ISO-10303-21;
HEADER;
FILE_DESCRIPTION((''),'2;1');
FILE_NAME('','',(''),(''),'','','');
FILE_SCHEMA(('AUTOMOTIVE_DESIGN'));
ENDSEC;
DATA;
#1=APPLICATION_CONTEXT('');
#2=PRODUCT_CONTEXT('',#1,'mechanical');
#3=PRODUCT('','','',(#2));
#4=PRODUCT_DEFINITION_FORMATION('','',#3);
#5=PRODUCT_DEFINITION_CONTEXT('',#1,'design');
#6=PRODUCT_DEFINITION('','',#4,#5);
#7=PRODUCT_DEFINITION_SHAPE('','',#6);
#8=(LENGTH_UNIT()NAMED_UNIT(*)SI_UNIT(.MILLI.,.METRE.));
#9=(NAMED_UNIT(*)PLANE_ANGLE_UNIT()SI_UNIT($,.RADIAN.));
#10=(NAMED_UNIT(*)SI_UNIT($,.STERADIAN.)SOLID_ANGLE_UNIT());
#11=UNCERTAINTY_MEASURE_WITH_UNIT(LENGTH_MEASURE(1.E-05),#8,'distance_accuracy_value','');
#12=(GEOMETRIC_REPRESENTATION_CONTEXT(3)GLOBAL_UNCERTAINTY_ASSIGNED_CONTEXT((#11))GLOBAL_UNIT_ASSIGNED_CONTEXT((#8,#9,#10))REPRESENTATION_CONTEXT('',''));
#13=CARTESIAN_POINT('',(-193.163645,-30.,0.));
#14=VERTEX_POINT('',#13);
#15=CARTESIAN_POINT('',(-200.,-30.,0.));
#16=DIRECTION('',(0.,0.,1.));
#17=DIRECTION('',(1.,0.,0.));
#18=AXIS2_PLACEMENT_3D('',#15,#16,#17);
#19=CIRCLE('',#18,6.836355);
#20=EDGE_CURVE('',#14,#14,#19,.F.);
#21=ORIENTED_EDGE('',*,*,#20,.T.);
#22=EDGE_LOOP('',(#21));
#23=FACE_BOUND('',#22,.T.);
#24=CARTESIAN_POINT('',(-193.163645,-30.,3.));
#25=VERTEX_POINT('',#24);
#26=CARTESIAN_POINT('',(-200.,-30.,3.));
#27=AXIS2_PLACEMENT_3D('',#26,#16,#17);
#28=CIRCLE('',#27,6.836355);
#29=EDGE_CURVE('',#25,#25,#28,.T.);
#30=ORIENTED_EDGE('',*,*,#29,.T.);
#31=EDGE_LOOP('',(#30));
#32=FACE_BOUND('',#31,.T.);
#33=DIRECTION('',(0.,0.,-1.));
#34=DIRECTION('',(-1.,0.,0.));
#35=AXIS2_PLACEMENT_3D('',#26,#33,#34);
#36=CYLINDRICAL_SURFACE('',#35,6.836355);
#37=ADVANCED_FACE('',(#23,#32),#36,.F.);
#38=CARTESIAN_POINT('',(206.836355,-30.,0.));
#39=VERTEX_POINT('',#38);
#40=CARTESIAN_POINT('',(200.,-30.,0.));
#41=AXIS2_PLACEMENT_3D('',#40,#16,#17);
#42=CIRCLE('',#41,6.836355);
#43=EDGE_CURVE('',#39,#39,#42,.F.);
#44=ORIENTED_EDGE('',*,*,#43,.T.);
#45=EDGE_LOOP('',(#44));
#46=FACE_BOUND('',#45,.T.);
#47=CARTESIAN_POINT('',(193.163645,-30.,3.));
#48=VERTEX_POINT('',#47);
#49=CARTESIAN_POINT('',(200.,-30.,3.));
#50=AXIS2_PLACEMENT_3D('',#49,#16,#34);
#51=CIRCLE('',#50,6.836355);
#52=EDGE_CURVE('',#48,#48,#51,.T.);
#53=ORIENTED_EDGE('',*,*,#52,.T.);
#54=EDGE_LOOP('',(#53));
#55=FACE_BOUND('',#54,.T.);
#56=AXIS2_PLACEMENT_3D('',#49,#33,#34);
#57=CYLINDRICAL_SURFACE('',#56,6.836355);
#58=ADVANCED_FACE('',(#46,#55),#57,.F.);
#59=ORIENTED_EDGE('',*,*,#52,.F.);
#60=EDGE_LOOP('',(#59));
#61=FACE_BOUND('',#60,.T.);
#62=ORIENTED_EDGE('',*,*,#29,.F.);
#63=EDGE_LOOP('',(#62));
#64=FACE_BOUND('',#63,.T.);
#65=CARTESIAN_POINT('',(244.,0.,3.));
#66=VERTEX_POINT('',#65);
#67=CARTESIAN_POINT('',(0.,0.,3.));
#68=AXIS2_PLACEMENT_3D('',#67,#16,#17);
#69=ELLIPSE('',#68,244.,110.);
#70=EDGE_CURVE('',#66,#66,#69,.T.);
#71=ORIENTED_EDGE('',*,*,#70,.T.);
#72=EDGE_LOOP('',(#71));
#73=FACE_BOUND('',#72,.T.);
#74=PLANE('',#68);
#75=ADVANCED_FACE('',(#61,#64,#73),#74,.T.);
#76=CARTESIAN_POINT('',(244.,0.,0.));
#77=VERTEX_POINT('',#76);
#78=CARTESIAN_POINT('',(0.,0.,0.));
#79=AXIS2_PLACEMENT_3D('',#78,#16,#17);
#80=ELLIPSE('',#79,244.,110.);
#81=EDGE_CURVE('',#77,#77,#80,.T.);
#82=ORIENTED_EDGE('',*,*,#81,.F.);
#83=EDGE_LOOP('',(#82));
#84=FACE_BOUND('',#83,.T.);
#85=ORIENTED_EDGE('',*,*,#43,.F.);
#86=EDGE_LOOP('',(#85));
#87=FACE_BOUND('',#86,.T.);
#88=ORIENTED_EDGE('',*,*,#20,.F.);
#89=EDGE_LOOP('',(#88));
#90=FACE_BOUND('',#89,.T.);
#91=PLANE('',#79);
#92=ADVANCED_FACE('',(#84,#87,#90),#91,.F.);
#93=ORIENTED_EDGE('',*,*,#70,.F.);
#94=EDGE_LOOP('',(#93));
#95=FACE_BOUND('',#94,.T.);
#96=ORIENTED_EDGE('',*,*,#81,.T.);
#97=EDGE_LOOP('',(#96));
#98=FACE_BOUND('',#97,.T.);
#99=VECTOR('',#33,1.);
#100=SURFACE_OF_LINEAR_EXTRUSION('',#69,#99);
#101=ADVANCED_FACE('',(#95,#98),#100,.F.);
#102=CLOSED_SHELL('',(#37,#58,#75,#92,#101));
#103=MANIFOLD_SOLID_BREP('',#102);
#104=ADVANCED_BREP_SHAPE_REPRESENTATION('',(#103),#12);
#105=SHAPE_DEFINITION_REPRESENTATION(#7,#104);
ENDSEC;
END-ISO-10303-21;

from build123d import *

# Parameters (mm, degrees)
SKETCH1_RX              = 244
SKETCH1_RY              = 110
BOSS_EXTRUDE1_DEPTH     = 3
SKETCH2_R               = 6.83635542
CUT_EXTRUDE1_DEPTH      = 4
CUT_EXTRUDE1_DEPTH_BACK = 1


with BuildPart() as part:
    # Sketch1 → Boss-Extrude1 (new body)
    with BuildSketch(Plane.XY):
        with Locations((0, 0)):
            Ellipse(SKETCH1_RX, SKETCH1_RY)
    extrude(amount=BOSS_EXTRUDE1_DEPTH)

    # Sketch2 → Cut-Extrude1 (cut, two sides)
    with BuildSketch(Plane.XY) as cut_extrude1_sk:
        with Locations((-200, -30)):
            Circle(SKETCH2_R)
        with Locations((200, -30)):
            Circle(SKETCH2_R)
    extrude(amount=CUT_EXTRUDE1_DEPTH, mode=Mode.SUBTRACT)
    extrude(cut_extrude1_sk.sketch, amount=-CUT_EXTRUDE1_DEPTH_BACK, mode=Mode.SUBTRACT)


solid = part.part
